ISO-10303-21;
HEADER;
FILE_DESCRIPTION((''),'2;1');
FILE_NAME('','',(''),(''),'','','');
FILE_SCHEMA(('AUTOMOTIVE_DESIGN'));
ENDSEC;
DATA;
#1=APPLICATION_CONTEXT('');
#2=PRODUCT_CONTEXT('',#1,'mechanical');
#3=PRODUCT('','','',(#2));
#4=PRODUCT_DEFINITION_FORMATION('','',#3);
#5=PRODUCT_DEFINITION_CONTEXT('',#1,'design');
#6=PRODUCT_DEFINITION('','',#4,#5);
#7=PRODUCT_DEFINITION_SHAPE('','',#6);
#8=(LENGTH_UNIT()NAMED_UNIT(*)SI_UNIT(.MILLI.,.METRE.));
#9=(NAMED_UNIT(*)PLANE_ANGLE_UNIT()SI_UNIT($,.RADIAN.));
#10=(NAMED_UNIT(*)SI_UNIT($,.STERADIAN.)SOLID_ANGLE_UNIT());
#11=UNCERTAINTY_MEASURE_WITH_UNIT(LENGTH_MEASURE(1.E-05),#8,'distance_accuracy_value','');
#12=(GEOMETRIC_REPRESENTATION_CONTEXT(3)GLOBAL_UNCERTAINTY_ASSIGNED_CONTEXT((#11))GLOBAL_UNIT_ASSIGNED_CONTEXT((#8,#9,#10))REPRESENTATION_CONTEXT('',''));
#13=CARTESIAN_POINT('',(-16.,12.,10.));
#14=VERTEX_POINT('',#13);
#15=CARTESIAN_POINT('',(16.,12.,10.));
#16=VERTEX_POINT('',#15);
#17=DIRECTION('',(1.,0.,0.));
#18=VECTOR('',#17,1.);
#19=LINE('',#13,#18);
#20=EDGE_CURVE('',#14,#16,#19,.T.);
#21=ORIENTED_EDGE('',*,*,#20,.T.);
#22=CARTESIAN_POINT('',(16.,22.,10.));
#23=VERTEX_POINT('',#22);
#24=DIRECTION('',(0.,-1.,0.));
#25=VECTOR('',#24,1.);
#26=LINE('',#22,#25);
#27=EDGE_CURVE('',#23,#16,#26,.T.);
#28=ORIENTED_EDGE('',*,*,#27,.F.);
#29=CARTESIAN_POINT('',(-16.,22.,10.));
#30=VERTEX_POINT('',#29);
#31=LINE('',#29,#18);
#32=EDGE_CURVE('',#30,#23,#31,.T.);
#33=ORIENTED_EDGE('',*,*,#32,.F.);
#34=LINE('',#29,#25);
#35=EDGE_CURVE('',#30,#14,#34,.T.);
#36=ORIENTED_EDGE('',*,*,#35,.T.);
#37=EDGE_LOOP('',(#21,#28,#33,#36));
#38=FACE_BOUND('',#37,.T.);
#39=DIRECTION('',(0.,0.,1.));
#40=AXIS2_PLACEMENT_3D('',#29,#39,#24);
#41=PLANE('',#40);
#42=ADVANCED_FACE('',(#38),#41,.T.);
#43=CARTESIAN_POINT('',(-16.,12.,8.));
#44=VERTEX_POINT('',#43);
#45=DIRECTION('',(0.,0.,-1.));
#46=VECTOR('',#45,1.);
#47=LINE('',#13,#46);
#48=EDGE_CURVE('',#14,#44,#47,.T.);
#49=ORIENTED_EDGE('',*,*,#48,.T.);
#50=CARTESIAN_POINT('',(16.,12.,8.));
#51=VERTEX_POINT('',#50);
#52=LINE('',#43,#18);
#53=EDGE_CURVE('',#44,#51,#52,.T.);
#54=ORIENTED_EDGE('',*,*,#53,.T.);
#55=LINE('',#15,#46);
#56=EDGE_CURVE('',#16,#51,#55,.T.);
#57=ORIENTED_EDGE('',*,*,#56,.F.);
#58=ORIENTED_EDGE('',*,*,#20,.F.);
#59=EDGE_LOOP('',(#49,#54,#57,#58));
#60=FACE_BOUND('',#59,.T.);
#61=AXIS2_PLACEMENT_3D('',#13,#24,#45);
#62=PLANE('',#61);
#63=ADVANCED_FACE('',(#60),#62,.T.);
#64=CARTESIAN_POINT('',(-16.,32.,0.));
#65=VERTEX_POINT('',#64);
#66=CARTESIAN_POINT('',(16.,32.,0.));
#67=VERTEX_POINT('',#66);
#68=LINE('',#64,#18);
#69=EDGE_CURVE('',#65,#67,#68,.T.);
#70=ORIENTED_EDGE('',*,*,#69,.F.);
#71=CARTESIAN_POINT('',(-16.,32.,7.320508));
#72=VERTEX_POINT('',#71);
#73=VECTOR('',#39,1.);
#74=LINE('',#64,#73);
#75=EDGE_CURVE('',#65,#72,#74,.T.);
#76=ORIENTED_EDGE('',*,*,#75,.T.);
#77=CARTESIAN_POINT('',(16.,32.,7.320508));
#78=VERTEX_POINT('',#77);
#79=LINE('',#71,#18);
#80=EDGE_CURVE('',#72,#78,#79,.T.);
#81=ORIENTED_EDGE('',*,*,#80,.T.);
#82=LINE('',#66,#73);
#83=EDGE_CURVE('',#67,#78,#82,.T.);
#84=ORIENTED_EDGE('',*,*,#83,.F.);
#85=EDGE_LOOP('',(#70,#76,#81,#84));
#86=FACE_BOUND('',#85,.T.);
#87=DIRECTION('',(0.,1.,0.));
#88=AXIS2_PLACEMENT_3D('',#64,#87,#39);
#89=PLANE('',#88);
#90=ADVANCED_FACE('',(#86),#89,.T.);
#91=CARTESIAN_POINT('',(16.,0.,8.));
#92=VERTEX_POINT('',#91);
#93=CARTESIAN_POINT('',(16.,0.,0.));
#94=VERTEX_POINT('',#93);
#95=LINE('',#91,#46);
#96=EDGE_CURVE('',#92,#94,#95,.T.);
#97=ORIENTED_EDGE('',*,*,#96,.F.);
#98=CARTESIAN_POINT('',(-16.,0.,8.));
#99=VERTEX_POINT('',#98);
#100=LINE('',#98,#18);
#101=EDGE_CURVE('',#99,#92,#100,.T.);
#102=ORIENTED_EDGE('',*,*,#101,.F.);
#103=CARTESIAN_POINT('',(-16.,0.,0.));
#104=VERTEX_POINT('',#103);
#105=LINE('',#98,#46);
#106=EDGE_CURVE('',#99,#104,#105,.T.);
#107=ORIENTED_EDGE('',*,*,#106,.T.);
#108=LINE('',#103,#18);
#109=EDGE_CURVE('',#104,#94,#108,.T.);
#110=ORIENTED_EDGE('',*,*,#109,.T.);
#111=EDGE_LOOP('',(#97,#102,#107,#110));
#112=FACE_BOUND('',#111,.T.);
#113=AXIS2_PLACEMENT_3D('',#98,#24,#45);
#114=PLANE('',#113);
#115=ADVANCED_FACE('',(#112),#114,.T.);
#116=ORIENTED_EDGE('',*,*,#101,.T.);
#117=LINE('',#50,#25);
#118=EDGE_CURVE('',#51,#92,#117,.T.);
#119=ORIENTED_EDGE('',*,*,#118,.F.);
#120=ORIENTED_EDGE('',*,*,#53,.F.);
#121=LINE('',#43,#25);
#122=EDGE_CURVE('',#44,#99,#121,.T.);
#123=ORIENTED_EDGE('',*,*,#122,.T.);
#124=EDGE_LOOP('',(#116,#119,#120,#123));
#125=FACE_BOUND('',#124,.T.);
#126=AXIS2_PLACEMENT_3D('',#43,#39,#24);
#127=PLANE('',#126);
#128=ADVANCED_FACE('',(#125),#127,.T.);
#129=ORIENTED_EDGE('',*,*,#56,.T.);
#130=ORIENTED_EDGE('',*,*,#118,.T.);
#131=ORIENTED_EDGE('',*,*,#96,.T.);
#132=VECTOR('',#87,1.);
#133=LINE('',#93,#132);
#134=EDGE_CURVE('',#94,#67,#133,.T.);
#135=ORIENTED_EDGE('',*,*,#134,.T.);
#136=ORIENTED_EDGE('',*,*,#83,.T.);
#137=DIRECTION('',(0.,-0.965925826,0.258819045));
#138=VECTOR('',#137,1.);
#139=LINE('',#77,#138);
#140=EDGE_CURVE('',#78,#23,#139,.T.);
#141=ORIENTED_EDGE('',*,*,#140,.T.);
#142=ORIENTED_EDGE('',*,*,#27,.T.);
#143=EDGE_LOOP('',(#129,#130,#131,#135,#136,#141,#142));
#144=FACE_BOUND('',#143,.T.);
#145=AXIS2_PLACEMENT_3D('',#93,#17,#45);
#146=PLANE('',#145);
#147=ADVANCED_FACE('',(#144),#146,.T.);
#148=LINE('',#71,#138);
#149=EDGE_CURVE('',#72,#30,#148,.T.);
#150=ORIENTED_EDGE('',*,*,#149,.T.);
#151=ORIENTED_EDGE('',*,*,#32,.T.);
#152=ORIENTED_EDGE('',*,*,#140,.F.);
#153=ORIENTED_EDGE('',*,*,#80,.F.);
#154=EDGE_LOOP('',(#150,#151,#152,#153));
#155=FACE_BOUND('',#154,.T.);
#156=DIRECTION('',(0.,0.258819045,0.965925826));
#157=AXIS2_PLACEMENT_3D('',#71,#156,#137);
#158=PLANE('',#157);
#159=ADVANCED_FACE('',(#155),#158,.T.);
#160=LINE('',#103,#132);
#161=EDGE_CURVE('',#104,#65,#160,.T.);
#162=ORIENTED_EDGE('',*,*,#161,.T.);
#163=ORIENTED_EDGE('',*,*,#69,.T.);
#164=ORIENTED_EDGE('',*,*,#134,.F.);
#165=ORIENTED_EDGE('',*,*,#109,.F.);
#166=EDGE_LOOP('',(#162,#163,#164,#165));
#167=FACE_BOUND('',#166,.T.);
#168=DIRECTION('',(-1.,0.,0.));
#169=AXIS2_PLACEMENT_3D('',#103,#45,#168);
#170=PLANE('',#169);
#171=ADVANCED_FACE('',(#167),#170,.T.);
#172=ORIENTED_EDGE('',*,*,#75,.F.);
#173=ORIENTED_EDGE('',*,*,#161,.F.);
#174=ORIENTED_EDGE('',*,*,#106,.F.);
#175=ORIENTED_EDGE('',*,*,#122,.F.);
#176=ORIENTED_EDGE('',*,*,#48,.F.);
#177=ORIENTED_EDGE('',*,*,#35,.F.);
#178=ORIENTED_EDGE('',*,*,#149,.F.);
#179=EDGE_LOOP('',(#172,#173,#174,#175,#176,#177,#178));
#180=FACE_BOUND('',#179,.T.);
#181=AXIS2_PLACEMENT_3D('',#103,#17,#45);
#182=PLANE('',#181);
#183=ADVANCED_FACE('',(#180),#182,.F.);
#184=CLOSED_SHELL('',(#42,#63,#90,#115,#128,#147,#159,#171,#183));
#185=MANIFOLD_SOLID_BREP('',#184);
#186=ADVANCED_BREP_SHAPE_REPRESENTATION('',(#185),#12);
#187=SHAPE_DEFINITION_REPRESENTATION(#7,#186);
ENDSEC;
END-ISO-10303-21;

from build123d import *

# Parameters (mm, degrees)
SALIENTE_EXTRUIR1_DEPTH      = 16
SALIENTE_EXTRUIR1_DEPTH_BACK = 16


with BuildPart() as part:
    # Croquis1 → Saliente-Extruir1 (new, two sides: drawn at the far end of the back side and taken through both)
    with BuildSketch(Plane(origin=(0, 0, 0), x_dir=(0, 0, -1), z_dir=(1, 0, 0)).offset(-SALIENTE_EXTRUIR1_DEPTH_BACK)):
        Polygon((0, 0), (0, 32), (-7.320508076, 32), (-10, 22), (-10, 12), (-8, 12), (-8, 0), align=None)
    extrude(amount=SALIENTE_EXTRUIR1_DEPTH + SALIENTE_EXTRUIR1_DEPTH_BACK)


solid = part.part
